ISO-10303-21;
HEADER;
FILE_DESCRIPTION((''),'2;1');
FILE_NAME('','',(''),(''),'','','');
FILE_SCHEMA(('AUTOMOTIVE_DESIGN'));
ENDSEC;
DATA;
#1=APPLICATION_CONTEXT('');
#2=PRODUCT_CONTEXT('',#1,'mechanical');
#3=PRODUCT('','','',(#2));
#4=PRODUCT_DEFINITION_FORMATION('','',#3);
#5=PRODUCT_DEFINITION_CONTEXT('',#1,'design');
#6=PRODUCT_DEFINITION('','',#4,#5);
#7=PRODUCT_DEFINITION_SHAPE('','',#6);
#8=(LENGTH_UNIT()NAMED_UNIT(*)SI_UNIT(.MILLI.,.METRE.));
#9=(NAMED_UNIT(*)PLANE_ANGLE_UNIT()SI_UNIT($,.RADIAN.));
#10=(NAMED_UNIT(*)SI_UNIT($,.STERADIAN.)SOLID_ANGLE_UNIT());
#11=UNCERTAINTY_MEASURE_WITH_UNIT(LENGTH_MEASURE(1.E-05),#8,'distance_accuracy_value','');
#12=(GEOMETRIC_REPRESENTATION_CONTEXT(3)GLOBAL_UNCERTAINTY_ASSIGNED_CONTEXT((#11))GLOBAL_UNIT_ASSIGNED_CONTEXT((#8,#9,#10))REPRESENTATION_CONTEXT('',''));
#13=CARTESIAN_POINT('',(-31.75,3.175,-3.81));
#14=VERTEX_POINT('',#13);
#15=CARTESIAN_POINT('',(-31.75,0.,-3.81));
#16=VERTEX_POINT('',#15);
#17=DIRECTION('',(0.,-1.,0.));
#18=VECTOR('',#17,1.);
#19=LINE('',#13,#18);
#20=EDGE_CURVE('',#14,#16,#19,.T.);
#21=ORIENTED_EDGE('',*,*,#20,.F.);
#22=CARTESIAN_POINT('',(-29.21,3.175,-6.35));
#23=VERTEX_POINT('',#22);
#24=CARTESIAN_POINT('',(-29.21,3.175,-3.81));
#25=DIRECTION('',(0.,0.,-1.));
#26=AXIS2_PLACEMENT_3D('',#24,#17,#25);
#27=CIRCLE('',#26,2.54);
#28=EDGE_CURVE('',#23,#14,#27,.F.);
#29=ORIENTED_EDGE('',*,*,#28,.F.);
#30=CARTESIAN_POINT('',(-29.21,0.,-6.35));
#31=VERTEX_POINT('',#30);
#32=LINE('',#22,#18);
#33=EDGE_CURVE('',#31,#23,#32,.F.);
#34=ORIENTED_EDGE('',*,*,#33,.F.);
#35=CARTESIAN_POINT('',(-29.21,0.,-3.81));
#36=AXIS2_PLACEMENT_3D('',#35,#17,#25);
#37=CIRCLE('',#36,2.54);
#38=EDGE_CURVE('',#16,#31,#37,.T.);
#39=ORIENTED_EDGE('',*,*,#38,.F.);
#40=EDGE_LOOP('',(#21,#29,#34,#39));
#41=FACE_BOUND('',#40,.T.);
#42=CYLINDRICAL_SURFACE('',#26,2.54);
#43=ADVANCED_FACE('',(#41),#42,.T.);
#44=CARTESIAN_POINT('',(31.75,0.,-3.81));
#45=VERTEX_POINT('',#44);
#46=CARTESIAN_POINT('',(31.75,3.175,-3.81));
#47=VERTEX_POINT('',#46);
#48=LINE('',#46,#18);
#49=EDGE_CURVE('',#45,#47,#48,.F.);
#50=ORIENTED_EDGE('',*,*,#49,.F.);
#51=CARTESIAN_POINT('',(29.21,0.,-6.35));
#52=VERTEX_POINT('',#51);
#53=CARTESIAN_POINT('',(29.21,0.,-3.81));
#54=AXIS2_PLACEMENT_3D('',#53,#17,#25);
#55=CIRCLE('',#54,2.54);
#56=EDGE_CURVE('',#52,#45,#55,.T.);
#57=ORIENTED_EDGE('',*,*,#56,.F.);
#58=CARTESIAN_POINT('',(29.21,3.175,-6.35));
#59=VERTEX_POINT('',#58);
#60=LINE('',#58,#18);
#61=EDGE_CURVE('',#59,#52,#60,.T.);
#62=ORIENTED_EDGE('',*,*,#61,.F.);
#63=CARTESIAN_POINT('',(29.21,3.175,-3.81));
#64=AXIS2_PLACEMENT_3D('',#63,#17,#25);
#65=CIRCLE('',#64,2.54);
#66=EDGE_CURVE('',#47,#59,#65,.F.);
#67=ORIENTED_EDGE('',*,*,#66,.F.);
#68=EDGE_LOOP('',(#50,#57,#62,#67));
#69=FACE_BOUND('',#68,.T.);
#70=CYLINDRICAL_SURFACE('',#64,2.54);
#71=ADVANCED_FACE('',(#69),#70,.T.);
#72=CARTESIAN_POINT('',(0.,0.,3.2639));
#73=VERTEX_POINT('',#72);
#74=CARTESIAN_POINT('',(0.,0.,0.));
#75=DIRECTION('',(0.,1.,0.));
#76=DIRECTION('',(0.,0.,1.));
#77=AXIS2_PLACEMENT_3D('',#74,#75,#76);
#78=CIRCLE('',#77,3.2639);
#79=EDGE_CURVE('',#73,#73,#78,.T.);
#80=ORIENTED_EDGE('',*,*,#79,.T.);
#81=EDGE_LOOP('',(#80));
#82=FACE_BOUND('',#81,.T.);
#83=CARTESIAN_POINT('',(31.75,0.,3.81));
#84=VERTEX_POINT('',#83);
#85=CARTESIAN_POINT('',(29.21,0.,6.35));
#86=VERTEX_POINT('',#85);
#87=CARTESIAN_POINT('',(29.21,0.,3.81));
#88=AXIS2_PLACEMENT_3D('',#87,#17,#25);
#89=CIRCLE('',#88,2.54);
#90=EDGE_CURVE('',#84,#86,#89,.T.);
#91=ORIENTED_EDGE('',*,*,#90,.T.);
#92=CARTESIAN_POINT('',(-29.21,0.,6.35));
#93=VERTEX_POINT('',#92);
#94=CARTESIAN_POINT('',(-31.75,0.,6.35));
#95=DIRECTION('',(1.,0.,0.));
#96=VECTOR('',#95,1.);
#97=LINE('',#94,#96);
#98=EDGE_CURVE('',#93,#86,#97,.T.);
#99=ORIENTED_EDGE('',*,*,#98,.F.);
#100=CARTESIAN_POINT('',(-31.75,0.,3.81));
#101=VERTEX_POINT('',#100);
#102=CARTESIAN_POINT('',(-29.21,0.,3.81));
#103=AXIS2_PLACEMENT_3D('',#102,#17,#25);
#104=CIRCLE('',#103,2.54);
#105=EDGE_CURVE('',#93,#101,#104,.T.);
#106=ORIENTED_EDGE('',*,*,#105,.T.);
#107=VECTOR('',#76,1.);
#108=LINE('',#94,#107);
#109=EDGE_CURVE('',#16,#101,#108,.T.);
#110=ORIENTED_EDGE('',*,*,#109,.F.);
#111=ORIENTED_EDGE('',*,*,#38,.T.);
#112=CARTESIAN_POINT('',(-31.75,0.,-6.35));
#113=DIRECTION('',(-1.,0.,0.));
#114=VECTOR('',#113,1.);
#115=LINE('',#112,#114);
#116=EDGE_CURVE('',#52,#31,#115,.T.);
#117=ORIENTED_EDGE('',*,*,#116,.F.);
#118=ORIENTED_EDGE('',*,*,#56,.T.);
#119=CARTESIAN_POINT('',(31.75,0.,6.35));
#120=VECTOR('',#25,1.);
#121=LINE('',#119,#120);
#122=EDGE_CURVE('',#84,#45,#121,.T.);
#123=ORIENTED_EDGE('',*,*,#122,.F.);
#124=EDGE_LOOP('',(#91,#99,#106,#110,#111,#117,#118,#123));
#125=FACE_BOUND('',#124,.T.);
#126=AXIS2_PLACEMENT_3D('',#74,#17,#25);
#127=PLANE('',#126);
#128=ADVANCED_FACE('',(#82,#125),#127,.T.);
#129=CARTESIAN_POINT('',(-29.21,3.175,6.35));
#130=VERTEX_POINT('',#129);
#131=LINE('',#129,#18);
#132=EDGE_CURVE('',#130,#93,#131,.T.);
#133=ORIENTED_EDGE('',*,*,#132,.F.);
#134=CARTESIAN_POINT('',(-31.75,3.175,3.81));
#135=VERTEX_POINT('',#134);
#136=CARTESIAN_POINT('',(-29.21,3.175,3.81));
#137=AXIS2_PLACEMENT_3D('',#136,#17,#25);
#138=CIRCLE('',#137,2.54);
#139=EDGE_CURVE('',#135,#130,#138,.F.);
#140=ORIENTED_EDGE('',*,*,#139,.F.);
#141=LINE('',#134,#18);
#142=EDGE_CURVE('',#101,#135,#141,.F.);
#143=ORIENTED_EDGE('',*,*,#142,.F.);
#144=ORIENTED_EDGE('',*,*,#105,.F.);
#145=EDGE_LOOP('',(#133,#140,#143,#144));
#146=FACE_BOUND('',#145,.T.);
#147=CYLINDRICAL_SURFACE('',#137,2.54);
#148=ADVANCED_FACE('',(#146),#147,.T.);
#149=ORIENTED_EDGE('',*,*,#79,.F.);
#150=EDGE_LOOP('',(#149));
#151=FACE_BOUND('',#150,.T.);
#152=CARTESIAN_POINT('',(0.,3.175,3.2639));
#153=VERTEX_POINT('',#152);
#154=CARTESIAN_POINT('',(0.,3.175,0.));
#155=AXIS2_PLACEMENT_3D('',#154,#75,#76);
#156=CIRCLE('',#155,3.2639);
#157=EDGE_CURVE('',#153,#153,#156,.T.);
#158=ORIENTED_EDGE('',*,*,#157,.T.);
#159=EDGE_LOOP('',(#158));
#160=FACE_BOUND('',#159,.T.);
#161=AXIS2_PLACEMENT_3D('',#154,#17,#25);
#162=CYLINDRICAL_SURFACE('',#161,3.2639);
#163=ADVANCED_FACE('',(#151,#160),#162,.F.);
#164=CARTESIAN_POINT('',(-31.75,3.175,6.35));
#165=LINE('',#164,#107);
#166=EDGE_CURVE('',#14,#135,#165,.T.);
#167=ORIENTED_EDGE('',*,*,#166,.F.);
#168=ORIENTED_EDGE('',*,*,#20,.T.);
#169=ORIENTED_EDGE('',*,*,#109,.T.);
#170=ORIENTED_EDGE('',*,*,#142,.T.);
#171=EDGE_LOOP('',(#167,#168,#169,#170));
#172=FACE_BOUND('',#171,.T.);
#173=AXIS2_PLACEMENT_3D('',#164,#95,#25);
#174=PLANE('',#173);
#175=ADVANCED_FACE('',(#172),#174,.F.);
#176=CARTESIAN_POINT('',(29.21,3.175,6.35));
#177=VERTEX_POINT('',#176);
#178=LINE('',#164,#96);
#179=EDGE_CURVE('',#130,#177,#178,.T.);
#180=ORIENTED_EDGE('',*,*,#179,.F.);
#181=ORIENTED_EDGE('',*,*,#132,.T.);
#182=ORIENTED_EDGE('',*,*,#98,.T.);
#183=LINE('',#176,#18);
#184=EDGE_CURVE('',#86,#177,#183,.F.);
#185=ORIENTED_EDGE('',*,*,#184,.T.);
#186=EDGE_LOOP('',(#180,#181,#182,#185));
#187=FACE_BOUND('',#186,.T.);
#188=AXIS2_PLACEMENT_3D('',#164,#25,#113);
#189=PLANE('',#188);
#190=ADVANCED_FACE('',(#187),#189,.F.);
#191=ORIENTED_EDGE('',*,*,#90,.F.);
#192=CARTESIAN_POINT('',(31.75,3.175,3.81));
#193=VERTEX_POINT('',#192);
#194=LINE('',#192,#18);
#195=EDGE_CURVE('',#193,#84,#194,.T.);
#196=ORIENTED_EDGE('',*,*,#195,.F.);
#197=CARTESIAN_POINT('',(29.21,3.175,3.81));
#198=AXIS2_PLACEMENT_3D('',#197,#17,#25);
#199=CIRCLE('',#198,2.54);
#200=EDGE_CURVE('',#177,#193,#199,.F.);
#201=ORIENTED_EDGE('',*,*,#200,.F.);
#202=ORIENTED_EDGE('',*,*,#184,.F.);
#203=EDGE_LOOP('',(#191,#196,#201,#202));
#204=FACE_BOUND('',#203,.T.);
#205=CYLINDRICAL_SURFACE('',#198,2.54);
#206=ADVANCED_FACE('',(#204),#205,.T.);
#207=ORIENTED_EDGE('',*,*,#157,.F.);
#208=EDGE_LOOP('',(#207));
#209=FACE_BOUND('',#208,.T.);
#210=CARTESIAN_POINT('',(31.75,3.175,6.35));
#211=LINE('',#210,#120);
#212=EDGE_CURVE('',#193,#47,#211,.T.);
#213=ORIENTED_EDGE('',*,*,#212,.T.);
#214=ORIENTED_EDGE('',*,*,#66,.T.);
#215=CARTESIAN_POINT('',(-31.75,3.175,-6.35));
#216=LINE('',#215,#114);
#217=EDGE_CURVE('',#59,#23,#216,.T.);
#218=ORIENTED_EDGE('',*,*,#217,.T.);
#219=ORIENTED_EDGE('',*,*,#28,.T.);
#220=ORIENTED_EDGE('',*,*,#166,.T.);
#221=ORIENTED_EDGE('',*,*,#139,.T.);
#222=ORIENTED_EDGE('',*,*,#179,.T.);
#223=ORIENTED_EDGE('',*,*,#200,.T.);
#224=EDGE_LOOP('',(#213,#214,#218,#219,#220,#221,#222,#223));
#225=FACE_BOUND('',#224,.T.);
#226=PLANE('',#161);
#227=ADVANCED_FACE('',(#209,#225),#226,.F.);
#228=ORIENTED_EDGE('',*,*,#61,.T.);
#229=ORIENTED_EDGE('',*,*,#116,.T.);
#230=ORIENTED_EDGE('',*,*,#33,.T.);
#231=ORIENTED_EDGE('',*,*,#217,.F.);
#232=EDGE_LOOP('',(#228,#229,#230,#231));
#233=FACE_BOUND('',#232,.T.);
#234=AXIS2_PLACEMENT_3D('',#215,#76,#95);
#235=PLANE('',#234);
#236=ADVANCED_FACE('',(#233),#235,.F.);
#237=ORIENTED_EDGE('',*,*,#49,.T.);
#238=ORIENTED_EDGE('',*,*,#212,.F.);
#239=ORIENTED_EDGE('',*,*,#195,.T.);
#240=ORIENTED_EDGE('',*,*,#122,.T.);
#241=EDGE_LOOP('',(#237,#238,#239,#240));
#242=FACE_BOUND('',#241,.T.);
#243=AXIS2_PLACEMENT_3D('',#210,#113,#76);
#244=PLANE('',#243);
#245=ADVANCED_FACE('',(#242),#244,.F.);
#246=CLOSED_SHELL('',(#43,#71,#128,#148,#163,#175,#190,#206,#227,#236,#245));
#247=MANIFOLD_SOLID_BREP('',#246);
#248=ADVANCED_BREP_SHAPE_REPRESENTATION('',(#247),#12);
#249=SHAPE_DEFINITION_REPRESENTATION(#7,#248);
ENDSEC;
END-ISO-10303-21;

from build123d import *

# Parameters (mm, degrees)
SKETCH1_W           = 63.5
SKETCH1_H           = 12.7
SKETCH1_R           = 3.2639
BOSS_EXTRUDE1_DEPTH = 3.175
FILLET1_R           = 2.54


with BuildPart() as part:
    # Sketch1 → Boss-Extrude1 (new body)
    with BuildSketch(Plane(origin=(0, 0, 0), x_dir=(1, 0, 0), z_dir=(0, 1, 0))):
        Rectangle(SKETCH1_W, SKETCH1_H)
        with Locations(Location((0, 0, 0), (0, 0, 270))):
            Circle(SKETCH1_R, mode=Mode.SUBTRACT)
    extrude(amount=BOSS_EXTRUDE1_DEPTH)

    # Fillet1
    fillet1_edges = [part.edges().sort_by_distance(p)[0] for p in [
        (31.75, 1.5875, 6.35),
        (-31.75, 1.5875, 6.35),
        (-31.75, 1.5875, -6.35),
        (31.75, 1.5875, -6.35),
    ]]
    fillet(fillet1_edges, radius=FILLET1_R)


solid = part.part
